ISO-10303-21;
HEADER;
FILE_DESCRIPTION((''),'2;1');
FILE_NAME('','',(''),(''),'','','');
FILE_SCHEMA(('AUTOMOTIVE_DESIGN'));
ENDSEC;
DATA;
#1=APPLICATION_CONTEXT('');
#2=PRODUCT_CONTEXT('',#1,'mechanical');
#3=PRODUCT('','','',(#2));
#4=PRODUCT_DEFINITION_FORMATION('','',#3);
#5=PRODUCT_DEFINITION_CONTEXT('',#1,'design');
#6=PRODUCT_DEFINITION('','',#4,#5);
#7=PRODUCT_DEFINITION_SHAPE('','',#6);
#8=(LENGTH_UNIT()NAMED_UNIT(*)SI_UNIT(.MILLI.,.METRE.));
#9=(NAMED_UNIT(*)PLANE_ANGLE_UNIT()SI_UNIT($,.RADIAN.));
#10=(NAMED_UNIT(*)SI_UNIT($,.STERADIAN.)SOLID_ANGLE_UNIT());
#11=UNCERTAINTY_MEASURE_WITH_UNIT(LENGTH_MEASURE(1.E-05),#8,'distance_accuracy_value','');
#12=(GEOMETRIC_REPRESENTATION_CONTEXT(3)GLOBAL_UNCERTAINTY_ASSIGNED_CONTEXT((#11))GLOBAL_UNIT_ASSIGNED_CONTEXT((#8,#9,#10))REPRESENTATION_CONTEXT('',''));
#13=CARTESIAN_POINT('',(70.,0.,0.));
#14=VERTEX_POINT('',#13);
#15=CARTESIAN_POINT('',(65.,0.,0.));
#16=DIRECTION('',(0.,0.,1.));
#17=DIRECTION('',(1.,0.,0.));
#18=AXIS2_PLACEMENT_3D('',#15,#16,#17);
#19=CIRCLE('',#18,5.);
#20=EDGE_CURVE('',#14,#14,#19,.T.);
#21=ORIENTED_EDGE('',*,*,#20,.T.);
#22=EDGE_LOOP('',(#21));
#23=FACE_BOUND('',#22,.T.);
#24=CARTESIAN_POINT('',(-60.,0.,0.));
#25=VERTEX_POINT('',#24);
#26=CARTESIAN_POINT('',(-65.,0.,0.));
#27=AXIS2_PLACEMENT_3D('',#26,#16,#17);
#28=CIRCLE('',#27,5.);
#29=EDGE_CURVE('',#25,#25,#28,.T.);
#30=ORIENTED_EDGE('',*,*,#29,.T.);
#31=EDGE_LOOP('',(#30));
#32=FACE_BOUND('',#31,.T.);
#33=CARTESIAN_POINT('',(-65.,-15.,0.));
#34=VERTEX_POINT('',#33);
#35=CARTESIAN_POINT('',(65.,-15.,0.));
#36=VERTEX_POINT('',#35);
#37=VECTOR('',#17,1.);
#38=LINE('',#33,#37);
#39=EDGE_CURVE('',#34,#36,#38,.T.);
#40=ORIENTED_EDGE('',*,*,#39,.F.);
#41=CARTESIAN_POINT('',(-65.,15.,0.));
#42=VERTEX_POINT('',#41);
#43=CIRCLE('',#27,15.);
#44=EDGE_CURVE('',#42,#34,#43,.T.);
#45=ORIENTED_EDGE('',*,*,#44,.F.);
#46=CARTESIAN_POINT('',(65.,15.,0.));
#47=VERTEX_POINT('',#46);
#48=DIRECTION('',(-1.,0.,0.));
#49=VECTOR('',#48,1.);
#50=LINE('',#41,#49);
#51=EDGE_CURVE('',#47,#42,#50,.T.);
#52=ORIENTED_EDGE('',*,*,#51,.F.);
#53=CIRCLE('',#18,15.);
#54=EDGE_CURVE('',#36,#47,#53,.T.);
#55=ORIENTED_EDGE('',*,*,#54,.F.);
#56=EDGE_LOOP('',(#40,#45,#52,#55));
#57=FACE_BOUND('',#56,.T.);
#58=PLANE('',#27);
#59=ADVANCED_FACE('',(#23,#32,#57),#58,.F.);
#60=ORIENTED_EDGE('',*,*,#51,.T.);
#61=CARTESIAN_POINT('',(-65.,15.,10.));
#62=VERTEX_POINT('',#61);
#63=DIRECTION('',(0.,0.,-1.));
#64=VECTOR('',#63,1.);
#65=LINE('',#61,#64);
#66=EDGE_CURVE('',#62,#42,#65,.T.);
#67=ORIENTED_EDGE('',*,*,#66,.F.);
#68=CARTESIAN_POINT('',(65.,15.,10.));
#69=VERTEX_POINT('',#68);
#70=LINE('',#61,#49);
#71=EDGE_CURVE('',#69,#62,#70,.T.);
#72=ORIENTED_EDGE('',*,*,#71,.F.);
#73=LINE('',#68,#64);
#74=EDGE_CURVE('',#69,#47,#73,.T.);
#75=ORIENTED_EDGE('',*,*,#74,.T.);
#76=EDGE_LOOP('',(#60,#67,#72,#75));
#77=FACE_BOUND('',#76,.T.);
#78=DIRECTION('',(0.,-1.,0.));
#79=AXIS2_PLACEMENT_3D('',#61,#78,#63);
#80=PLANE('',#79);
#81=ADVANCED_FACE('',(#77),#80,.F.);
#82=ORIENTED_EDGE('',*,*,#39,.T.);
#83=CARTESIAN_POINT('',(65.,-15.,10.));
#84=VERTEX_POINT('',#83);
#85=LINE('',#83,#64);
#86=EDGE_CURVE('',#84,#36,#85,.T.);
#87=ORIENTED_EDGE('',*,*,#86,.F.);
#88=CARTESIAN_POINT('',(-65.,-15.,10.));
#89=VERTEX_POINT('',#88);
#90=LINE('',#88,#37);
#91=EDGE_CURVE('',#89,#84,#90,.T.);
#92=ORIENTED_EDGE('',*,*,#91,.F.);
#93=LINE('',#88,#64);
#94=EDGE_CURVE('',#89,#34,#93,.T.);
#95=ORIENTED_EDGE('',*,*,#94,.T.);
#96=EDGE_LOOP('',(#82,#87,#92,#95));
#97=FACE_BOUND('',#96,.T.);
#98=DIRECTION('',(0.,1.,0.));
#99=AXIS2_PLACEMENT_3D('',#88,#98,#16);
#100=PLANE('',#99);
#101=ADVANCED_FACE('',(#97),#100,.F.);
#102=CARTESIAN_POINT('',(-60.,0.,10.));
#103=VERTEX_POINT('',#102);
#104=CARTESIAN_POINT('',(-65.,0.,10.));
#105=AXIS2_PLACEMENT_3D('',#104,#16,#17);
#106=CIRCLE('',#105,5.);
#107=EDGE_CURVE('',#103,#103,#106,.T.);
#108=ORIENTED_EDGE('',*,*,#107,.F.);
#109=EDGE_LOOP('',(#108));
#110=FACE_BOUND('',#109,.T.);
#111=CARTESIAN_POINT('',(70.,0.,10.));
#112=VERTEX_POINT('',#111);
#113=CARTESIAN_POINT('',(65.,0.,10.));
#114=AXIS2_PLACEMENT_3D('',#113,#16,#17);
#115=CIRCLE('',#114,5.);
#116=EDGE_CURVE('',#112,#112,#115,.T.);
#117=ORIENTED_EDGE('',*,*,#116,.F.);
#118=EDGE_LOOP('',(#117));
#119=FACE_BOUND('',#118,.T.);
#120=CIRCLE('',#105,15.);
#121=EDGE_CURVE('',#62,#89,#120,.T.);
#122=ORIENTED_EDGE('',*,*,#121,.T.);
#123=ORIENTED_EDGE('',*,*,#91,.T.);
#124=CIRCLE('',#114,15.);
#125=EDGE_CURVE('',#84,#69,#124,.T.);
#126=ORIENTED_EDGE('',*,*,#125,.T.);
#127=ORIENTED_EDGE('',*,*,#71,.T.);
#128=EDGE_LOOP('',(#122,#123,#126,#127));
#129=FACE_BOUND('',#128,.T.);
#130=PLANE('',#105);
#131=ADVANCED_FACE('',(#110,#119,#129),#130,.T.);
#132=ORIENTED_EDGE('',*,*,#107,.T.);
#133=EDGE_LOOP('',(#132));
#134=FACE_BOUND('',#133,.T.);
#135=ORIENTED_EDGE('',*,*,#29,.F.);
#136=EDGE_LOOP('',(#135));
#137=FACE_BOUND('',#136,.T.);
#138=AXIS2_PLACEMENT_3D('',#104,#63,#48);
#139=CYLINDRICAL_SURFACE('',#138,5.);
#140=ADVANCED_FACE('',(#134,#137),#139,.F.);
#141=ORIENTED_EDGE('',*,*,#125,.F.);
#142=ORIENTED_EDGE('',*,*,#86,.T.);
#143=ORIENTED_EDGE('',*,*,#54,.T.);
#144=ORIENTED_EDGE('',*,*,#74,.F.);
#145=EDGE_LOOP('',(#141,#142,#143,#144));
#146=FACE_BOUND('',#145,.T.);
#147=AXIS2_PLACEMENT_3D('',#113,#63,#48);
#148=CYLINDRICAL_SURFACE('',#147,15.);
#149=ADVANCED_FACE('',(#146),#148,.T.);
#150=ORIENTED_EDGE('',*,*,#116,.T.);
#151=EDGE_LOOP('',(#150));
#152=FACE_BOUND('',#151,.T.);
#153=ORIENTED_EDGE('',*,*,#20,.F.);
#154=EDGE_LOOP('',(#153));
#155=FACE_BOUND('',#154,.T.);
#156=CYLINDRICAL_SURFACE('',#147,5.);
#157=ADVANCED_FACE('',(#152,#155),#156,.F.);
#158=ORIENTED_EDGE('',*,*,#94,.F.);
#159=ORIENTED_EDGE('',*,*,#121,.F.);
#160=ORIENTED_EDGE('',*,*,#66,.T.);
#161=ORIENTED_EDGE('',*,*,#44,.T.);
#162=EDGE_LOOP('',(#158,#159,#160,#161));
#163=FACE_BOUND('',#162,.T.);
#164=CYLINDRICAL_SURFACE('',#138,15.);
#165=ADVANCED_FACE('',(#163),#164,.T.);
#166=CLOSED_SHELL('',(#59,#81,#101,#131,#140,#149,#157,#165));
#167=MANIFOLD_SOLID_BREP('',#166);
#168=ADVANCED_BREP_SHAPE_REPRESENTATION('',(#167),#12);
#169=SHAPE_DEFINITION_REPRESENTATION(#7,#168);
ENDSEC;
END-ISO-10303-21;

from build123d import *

# Parameters (mm, degrees)
SKETCH1_R           = 5
BOSS_EXTRUDE1_DEPTH = 10


with BuildPart() as part:
    # Sketch1 → Boss-Extrude1 (new body)
    with BuildSketch(Plane.XY):
        with BuildLine():
            Line((-65, 15), (65, 15))
            ThreePointArc((65, 15), (80, 0), (65, -15))
            Line((65, -15), (-65, -15))
            ThreePointArc((-65, -15), (-80, 0), (-65, 15))
        make_face()
        with Locations((-65, 0)):
            Circle(SKETCH1_R, mode=Mode.SUBTRACT)
        with Locations((65, 0)):
            Circle(SKETCH1_R, mode=Mode.SUBTRACT)
    extrude(amount=BOSS_EXTRUDE1_DEPTH)


solid = part.part
